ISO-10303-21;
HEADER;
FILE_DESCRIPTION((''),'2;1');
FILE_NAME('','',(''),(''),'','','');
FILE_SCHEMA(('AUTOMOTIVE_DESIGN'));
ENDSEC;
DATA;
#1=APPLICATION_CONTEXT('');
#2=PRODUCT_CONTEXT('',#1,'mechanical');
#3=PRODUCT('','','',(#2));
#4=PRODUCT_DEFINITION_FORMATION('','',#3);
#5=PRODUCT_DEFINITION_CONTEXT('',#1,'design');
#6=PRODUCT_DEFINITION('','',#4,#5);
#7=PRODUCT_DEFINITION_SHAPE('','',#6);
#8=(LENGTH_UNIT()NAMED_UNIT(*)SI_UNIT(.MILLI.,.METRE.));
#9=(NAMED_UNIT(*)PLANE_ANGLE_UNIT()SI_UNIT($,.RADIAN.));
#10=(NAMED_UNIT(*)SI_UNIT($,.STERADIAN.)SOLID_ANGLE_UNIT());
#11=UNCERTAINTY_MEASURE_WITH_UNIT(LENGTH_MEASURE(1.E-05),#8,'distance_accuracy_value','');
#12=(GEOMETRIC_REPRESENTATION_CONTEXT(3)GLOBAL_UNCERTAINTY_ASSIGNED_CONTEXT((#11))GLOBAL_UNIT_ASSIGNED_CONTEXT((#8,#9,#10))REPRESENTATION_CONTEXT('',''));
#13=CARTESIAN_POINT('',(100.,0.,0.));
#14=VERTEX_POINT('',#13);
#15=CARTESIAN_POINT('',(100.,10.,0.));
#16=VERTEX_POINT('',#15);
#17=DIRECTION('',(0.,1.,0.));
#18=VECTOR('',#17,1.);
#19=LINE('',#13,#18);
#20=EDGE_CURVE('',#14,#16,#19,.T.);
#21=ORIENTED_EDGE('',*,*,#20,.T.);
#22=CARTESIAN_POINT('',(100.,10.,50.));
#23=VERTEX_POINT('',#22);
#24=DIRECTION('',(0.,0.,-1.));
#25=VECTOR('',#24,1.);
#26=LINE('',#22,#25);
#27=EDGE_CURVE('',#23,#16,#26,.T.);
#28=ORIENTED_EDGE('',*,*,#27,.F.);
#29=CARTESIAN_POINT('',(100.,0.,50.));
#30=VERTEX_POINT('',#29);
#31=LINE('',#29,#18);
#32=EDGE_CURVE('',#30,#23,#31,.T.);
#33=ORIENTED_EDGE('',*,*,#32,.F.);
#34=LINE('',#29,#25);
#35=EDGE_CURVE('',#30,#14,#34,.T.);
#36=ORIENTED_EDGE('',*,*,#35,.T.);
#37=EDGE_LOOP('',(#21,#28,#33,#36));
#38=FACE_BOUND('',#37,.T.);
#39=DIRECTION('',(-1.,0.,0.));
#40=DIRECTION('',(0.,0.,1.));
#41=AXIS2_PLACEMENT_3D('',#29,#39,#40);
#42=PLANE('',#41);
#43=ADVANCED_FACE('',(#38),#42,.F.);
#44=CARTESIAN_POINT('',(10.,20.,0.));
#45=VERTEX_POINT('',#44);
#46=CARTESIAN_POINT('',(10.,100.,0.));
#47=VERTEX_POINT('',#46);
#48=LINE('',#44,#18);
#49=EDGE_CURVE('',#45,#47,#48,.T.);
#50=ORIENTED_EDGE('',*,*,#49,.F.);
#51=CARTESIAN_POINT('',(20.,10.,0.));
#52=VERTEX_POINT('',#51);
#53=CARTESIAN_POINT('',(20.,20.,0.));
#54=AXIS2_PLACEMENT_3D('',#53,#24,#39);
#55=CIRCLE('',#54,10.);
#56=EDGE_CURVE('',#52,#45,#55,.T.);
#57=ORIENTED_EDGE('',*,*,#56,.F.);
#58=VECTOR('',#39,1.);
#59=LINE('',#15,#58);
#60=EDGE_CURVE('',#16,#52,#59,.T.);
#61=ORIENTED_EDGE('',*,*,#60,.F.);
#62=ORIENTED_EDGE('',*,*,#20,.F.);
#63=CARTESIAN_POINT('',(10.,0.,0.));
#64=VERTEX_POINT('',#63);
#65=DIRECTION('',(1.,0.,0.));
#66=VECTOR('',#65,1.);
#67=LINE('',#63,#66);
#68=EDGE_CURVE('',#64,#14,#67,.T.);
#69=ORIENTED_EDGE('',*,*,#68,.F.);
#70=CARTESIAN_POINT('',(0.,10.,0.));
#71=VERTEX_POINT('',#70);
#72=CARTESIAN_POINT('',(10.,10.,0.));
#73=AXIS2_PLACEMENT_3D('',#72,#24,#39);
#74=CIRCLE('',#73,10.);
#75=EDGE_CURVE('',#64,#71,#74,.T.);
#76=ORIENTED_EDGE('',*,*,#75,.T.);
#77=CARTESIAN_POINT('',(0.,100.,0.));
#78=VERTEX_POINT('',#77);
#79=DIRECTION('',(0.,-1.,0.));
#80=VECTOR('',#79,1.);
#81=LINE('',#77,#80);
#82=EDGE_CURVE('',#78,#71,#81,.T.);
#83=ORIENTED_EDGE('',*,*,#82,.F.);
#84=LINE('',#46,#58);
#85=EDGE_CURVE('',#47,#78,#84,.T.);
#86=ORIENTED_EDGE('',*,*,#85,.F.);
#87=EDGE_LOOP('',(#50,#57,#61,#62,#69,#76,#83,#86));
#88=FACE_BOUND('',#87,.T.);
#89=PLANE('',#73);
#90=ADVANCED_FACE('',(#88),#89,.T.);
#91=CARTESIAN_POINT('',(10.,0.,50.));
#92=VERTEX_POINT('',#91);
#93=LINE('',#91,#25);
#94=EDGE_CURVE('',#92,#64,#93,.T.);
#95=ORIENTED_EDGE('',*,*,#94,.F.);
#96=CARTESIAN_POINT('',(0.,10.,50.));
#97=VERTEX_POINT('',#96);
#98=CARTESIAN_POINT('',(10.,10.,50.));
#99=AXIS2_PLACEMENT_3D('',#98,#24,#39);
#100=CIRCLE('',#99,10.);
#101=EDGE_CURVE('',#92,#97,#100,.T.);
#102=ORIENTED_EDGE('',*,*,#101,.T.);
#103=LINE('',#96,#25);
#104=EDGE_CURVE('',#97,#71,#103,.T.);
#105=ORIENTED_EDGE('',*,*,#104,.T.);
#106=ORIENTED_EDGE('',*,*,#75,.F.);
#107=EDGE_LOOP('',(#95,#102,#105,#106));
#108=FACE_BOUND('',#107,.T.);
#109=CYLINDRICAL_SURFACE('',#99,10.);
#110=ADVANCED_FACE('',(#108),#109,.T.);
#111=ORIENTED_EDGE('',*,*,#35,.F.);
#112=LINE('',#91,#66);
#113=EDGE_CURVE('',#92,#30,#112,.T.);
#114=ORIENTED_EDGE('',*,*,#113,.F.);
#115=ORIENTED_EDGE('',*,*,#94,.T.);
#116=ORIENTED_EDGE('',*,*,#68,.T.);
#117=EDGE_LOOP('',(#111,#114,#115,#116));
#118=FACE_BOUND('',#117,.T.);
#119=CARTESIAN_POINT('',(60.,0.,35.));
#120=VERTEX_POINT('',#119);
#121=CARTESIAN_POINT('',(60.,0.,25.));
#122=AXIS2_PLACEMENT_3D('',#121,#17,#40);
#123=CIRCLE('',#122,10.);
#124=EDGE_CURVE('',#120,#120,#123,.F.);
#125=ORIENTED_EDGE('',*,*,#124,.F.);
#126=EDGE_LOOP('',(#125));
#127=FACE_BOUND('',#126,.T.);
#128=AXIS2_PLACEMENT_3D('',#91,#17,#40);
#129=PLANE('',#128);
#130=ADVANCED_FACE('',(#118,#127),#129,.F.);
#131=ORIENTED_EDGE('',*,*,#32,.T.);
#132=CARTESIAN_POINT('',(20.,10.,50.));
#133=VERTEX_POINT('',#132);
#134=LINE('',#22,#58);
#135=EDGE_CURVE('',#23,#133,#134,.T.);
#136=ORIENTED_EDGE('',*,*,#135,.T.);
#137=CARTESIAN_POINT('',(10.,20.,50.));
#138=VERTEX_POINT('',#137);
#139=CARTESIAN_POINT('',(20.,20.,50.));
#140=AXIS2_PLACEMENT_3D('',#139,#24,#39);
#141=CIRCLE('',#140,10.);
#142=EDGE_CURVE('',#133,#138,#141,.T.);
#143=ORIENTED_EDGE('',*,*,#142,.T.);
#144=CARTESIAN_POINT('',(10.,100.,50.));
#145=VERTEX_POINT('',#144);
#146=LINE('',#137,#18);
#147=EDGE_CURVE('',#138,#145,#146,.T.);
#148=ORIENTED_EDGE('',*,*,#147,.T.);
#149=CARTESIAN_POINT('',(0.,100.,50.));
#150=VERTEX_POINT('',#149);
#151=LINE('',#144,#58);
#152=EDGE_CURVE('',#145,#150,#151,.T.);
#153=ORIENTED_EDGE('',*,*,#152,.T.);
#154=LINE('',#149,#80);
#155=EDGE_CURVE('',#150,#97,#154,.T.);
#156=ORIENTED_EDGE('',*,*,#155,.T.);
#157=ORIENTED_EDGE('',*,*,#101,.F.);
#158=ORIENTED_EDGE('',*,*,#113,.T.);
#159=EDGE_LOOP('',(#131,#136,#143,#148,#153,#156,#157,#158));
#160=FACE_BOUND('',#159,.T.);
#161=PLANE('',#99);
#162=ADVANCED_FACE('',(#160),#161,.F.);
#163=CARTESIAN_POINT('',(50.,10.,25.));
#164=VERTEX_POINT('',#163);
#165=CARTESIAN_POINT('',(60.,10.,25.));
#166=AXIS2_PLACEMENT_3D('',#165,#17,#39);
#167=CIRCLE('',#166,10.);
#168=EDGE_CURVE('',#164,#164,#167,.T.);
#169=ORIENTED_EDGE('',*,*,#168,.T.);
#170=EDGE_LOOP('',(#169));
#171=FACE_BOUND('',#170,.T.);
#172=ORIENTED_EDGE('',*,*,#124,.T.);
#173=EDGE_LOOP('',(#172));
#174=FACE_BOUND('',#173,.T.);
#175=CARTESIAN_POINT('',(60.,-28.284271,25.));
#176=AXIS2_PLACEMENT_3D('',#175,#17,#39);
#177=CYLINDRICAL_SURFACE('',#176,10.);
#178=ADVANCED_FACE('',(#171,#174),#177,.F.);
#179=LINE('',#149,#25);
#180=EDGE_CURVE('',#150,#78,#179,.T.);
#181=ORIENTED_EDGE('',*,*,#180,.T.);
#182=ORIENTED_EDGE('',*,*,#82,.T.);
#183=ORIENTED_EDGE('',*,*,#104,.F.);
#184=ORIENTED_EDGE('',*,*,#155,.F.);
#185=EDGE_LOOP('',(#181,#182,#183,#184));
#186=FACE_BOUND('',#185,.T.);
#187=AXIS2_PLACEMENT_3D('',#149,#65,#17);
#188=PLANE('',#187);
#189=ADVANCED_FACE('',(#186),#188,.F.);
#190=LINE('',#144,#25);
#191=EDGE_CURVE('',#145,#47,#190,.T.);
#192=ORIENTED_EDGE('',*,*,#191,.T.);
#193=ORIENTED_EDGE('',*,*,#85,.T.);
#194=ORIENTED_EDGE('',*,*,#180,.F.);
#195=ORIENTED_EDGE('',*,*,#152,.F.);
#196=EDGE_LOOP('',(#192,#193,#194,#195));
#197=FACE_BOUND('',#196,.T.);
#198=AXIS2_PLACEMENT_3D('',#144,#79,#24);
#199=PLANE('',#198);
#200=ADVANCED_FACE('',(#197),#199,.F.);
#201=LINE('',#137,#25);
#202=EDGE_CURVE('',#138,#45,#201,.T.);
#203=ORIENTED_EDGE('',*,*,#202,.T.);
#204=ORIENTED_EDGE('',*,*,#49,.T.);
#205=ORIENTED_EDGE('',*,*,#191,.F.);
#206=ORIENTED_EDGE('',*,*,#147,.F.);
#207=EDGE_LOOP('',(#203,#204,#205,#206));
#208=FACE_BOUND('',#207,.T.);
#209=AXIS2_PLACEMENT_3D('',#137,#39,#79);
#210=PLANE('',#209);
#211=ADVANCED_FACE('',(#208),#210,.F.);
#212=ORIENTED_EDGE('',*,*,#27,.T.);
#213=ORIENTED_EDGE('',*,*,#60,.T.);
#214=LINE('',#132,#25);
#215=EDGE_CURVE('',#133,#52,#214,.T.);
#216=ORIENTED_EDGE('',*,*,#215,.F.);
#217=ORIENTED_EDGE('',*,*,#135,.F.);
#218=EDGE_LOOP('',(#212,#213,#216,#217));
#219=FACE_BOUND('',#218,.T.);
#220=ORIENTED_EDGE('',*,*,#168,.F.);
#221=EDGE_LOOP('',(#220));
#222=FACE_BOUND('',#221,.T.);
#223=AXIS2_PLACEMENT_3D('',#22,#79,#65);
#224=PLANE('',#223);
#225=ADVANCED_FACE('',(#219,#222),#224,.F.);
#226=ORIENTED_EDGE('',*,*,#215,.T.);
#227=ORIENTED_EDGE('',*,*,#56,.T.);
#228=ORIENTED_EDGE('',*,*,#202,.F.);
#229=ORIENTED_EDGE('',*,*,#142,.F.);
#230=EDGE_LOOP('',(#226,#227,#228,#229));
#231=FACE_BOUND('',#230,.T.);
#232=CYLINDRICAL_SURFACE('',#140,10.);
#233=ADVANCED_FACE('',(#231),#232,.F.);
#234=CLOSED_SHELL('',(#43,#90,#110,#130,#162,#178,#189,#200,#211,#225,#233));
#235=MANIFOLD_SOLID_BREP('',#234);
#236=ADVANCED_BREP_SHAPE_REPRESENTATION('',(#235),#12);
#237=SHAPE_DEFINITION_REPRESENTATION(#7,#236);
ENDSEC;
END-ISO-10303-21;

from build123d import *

# Parameters (mm, degrees)
BOSS_EXTRUDE1_DEPTH = 50
SKETCH2_R           = 10
CUT_EXTRUDE1_DEPTH  = 10


with BuildPart() as part:
    # Sketch1 → Boss-Extrude1 (new body)
    with BuildSketch(Plane.XY):
        with BuildLine():
            Line((10, 0), (100, 0))
            Line((100, 0), (100, 10))
            Line((100, 10), (20, 10))
            ThreePointArc((20, 10), (12.928932188, 12.928932188), (10, 20))
            Line((10, 20), (10, 100))
            Line((10, 100), (0, 100))
            Line((0, 100), (0, 10))
            ThreePointArc((0, 10), (2.928932188, 2.928932188), (10, 0))
        make_face()
    extrude(amount=BOSS_EXTRUDE1_DEPTH)

    # Sketch2 → Cut-Extrude1 (cut)
    with BuildSketch(Plane(origin=(0, 10, 0), x_dir=(1, 0, 0), z_dir=(0, 1, 0))):
        with Locations(Location((60, -25, 0), (0, 0, 180))):
            Circle(SKETCH2_R)
    extrude(amount=-CUT_EXTRUDE1_DEPTH, mode=Mode.SUBTRACT)


solid = part.part
